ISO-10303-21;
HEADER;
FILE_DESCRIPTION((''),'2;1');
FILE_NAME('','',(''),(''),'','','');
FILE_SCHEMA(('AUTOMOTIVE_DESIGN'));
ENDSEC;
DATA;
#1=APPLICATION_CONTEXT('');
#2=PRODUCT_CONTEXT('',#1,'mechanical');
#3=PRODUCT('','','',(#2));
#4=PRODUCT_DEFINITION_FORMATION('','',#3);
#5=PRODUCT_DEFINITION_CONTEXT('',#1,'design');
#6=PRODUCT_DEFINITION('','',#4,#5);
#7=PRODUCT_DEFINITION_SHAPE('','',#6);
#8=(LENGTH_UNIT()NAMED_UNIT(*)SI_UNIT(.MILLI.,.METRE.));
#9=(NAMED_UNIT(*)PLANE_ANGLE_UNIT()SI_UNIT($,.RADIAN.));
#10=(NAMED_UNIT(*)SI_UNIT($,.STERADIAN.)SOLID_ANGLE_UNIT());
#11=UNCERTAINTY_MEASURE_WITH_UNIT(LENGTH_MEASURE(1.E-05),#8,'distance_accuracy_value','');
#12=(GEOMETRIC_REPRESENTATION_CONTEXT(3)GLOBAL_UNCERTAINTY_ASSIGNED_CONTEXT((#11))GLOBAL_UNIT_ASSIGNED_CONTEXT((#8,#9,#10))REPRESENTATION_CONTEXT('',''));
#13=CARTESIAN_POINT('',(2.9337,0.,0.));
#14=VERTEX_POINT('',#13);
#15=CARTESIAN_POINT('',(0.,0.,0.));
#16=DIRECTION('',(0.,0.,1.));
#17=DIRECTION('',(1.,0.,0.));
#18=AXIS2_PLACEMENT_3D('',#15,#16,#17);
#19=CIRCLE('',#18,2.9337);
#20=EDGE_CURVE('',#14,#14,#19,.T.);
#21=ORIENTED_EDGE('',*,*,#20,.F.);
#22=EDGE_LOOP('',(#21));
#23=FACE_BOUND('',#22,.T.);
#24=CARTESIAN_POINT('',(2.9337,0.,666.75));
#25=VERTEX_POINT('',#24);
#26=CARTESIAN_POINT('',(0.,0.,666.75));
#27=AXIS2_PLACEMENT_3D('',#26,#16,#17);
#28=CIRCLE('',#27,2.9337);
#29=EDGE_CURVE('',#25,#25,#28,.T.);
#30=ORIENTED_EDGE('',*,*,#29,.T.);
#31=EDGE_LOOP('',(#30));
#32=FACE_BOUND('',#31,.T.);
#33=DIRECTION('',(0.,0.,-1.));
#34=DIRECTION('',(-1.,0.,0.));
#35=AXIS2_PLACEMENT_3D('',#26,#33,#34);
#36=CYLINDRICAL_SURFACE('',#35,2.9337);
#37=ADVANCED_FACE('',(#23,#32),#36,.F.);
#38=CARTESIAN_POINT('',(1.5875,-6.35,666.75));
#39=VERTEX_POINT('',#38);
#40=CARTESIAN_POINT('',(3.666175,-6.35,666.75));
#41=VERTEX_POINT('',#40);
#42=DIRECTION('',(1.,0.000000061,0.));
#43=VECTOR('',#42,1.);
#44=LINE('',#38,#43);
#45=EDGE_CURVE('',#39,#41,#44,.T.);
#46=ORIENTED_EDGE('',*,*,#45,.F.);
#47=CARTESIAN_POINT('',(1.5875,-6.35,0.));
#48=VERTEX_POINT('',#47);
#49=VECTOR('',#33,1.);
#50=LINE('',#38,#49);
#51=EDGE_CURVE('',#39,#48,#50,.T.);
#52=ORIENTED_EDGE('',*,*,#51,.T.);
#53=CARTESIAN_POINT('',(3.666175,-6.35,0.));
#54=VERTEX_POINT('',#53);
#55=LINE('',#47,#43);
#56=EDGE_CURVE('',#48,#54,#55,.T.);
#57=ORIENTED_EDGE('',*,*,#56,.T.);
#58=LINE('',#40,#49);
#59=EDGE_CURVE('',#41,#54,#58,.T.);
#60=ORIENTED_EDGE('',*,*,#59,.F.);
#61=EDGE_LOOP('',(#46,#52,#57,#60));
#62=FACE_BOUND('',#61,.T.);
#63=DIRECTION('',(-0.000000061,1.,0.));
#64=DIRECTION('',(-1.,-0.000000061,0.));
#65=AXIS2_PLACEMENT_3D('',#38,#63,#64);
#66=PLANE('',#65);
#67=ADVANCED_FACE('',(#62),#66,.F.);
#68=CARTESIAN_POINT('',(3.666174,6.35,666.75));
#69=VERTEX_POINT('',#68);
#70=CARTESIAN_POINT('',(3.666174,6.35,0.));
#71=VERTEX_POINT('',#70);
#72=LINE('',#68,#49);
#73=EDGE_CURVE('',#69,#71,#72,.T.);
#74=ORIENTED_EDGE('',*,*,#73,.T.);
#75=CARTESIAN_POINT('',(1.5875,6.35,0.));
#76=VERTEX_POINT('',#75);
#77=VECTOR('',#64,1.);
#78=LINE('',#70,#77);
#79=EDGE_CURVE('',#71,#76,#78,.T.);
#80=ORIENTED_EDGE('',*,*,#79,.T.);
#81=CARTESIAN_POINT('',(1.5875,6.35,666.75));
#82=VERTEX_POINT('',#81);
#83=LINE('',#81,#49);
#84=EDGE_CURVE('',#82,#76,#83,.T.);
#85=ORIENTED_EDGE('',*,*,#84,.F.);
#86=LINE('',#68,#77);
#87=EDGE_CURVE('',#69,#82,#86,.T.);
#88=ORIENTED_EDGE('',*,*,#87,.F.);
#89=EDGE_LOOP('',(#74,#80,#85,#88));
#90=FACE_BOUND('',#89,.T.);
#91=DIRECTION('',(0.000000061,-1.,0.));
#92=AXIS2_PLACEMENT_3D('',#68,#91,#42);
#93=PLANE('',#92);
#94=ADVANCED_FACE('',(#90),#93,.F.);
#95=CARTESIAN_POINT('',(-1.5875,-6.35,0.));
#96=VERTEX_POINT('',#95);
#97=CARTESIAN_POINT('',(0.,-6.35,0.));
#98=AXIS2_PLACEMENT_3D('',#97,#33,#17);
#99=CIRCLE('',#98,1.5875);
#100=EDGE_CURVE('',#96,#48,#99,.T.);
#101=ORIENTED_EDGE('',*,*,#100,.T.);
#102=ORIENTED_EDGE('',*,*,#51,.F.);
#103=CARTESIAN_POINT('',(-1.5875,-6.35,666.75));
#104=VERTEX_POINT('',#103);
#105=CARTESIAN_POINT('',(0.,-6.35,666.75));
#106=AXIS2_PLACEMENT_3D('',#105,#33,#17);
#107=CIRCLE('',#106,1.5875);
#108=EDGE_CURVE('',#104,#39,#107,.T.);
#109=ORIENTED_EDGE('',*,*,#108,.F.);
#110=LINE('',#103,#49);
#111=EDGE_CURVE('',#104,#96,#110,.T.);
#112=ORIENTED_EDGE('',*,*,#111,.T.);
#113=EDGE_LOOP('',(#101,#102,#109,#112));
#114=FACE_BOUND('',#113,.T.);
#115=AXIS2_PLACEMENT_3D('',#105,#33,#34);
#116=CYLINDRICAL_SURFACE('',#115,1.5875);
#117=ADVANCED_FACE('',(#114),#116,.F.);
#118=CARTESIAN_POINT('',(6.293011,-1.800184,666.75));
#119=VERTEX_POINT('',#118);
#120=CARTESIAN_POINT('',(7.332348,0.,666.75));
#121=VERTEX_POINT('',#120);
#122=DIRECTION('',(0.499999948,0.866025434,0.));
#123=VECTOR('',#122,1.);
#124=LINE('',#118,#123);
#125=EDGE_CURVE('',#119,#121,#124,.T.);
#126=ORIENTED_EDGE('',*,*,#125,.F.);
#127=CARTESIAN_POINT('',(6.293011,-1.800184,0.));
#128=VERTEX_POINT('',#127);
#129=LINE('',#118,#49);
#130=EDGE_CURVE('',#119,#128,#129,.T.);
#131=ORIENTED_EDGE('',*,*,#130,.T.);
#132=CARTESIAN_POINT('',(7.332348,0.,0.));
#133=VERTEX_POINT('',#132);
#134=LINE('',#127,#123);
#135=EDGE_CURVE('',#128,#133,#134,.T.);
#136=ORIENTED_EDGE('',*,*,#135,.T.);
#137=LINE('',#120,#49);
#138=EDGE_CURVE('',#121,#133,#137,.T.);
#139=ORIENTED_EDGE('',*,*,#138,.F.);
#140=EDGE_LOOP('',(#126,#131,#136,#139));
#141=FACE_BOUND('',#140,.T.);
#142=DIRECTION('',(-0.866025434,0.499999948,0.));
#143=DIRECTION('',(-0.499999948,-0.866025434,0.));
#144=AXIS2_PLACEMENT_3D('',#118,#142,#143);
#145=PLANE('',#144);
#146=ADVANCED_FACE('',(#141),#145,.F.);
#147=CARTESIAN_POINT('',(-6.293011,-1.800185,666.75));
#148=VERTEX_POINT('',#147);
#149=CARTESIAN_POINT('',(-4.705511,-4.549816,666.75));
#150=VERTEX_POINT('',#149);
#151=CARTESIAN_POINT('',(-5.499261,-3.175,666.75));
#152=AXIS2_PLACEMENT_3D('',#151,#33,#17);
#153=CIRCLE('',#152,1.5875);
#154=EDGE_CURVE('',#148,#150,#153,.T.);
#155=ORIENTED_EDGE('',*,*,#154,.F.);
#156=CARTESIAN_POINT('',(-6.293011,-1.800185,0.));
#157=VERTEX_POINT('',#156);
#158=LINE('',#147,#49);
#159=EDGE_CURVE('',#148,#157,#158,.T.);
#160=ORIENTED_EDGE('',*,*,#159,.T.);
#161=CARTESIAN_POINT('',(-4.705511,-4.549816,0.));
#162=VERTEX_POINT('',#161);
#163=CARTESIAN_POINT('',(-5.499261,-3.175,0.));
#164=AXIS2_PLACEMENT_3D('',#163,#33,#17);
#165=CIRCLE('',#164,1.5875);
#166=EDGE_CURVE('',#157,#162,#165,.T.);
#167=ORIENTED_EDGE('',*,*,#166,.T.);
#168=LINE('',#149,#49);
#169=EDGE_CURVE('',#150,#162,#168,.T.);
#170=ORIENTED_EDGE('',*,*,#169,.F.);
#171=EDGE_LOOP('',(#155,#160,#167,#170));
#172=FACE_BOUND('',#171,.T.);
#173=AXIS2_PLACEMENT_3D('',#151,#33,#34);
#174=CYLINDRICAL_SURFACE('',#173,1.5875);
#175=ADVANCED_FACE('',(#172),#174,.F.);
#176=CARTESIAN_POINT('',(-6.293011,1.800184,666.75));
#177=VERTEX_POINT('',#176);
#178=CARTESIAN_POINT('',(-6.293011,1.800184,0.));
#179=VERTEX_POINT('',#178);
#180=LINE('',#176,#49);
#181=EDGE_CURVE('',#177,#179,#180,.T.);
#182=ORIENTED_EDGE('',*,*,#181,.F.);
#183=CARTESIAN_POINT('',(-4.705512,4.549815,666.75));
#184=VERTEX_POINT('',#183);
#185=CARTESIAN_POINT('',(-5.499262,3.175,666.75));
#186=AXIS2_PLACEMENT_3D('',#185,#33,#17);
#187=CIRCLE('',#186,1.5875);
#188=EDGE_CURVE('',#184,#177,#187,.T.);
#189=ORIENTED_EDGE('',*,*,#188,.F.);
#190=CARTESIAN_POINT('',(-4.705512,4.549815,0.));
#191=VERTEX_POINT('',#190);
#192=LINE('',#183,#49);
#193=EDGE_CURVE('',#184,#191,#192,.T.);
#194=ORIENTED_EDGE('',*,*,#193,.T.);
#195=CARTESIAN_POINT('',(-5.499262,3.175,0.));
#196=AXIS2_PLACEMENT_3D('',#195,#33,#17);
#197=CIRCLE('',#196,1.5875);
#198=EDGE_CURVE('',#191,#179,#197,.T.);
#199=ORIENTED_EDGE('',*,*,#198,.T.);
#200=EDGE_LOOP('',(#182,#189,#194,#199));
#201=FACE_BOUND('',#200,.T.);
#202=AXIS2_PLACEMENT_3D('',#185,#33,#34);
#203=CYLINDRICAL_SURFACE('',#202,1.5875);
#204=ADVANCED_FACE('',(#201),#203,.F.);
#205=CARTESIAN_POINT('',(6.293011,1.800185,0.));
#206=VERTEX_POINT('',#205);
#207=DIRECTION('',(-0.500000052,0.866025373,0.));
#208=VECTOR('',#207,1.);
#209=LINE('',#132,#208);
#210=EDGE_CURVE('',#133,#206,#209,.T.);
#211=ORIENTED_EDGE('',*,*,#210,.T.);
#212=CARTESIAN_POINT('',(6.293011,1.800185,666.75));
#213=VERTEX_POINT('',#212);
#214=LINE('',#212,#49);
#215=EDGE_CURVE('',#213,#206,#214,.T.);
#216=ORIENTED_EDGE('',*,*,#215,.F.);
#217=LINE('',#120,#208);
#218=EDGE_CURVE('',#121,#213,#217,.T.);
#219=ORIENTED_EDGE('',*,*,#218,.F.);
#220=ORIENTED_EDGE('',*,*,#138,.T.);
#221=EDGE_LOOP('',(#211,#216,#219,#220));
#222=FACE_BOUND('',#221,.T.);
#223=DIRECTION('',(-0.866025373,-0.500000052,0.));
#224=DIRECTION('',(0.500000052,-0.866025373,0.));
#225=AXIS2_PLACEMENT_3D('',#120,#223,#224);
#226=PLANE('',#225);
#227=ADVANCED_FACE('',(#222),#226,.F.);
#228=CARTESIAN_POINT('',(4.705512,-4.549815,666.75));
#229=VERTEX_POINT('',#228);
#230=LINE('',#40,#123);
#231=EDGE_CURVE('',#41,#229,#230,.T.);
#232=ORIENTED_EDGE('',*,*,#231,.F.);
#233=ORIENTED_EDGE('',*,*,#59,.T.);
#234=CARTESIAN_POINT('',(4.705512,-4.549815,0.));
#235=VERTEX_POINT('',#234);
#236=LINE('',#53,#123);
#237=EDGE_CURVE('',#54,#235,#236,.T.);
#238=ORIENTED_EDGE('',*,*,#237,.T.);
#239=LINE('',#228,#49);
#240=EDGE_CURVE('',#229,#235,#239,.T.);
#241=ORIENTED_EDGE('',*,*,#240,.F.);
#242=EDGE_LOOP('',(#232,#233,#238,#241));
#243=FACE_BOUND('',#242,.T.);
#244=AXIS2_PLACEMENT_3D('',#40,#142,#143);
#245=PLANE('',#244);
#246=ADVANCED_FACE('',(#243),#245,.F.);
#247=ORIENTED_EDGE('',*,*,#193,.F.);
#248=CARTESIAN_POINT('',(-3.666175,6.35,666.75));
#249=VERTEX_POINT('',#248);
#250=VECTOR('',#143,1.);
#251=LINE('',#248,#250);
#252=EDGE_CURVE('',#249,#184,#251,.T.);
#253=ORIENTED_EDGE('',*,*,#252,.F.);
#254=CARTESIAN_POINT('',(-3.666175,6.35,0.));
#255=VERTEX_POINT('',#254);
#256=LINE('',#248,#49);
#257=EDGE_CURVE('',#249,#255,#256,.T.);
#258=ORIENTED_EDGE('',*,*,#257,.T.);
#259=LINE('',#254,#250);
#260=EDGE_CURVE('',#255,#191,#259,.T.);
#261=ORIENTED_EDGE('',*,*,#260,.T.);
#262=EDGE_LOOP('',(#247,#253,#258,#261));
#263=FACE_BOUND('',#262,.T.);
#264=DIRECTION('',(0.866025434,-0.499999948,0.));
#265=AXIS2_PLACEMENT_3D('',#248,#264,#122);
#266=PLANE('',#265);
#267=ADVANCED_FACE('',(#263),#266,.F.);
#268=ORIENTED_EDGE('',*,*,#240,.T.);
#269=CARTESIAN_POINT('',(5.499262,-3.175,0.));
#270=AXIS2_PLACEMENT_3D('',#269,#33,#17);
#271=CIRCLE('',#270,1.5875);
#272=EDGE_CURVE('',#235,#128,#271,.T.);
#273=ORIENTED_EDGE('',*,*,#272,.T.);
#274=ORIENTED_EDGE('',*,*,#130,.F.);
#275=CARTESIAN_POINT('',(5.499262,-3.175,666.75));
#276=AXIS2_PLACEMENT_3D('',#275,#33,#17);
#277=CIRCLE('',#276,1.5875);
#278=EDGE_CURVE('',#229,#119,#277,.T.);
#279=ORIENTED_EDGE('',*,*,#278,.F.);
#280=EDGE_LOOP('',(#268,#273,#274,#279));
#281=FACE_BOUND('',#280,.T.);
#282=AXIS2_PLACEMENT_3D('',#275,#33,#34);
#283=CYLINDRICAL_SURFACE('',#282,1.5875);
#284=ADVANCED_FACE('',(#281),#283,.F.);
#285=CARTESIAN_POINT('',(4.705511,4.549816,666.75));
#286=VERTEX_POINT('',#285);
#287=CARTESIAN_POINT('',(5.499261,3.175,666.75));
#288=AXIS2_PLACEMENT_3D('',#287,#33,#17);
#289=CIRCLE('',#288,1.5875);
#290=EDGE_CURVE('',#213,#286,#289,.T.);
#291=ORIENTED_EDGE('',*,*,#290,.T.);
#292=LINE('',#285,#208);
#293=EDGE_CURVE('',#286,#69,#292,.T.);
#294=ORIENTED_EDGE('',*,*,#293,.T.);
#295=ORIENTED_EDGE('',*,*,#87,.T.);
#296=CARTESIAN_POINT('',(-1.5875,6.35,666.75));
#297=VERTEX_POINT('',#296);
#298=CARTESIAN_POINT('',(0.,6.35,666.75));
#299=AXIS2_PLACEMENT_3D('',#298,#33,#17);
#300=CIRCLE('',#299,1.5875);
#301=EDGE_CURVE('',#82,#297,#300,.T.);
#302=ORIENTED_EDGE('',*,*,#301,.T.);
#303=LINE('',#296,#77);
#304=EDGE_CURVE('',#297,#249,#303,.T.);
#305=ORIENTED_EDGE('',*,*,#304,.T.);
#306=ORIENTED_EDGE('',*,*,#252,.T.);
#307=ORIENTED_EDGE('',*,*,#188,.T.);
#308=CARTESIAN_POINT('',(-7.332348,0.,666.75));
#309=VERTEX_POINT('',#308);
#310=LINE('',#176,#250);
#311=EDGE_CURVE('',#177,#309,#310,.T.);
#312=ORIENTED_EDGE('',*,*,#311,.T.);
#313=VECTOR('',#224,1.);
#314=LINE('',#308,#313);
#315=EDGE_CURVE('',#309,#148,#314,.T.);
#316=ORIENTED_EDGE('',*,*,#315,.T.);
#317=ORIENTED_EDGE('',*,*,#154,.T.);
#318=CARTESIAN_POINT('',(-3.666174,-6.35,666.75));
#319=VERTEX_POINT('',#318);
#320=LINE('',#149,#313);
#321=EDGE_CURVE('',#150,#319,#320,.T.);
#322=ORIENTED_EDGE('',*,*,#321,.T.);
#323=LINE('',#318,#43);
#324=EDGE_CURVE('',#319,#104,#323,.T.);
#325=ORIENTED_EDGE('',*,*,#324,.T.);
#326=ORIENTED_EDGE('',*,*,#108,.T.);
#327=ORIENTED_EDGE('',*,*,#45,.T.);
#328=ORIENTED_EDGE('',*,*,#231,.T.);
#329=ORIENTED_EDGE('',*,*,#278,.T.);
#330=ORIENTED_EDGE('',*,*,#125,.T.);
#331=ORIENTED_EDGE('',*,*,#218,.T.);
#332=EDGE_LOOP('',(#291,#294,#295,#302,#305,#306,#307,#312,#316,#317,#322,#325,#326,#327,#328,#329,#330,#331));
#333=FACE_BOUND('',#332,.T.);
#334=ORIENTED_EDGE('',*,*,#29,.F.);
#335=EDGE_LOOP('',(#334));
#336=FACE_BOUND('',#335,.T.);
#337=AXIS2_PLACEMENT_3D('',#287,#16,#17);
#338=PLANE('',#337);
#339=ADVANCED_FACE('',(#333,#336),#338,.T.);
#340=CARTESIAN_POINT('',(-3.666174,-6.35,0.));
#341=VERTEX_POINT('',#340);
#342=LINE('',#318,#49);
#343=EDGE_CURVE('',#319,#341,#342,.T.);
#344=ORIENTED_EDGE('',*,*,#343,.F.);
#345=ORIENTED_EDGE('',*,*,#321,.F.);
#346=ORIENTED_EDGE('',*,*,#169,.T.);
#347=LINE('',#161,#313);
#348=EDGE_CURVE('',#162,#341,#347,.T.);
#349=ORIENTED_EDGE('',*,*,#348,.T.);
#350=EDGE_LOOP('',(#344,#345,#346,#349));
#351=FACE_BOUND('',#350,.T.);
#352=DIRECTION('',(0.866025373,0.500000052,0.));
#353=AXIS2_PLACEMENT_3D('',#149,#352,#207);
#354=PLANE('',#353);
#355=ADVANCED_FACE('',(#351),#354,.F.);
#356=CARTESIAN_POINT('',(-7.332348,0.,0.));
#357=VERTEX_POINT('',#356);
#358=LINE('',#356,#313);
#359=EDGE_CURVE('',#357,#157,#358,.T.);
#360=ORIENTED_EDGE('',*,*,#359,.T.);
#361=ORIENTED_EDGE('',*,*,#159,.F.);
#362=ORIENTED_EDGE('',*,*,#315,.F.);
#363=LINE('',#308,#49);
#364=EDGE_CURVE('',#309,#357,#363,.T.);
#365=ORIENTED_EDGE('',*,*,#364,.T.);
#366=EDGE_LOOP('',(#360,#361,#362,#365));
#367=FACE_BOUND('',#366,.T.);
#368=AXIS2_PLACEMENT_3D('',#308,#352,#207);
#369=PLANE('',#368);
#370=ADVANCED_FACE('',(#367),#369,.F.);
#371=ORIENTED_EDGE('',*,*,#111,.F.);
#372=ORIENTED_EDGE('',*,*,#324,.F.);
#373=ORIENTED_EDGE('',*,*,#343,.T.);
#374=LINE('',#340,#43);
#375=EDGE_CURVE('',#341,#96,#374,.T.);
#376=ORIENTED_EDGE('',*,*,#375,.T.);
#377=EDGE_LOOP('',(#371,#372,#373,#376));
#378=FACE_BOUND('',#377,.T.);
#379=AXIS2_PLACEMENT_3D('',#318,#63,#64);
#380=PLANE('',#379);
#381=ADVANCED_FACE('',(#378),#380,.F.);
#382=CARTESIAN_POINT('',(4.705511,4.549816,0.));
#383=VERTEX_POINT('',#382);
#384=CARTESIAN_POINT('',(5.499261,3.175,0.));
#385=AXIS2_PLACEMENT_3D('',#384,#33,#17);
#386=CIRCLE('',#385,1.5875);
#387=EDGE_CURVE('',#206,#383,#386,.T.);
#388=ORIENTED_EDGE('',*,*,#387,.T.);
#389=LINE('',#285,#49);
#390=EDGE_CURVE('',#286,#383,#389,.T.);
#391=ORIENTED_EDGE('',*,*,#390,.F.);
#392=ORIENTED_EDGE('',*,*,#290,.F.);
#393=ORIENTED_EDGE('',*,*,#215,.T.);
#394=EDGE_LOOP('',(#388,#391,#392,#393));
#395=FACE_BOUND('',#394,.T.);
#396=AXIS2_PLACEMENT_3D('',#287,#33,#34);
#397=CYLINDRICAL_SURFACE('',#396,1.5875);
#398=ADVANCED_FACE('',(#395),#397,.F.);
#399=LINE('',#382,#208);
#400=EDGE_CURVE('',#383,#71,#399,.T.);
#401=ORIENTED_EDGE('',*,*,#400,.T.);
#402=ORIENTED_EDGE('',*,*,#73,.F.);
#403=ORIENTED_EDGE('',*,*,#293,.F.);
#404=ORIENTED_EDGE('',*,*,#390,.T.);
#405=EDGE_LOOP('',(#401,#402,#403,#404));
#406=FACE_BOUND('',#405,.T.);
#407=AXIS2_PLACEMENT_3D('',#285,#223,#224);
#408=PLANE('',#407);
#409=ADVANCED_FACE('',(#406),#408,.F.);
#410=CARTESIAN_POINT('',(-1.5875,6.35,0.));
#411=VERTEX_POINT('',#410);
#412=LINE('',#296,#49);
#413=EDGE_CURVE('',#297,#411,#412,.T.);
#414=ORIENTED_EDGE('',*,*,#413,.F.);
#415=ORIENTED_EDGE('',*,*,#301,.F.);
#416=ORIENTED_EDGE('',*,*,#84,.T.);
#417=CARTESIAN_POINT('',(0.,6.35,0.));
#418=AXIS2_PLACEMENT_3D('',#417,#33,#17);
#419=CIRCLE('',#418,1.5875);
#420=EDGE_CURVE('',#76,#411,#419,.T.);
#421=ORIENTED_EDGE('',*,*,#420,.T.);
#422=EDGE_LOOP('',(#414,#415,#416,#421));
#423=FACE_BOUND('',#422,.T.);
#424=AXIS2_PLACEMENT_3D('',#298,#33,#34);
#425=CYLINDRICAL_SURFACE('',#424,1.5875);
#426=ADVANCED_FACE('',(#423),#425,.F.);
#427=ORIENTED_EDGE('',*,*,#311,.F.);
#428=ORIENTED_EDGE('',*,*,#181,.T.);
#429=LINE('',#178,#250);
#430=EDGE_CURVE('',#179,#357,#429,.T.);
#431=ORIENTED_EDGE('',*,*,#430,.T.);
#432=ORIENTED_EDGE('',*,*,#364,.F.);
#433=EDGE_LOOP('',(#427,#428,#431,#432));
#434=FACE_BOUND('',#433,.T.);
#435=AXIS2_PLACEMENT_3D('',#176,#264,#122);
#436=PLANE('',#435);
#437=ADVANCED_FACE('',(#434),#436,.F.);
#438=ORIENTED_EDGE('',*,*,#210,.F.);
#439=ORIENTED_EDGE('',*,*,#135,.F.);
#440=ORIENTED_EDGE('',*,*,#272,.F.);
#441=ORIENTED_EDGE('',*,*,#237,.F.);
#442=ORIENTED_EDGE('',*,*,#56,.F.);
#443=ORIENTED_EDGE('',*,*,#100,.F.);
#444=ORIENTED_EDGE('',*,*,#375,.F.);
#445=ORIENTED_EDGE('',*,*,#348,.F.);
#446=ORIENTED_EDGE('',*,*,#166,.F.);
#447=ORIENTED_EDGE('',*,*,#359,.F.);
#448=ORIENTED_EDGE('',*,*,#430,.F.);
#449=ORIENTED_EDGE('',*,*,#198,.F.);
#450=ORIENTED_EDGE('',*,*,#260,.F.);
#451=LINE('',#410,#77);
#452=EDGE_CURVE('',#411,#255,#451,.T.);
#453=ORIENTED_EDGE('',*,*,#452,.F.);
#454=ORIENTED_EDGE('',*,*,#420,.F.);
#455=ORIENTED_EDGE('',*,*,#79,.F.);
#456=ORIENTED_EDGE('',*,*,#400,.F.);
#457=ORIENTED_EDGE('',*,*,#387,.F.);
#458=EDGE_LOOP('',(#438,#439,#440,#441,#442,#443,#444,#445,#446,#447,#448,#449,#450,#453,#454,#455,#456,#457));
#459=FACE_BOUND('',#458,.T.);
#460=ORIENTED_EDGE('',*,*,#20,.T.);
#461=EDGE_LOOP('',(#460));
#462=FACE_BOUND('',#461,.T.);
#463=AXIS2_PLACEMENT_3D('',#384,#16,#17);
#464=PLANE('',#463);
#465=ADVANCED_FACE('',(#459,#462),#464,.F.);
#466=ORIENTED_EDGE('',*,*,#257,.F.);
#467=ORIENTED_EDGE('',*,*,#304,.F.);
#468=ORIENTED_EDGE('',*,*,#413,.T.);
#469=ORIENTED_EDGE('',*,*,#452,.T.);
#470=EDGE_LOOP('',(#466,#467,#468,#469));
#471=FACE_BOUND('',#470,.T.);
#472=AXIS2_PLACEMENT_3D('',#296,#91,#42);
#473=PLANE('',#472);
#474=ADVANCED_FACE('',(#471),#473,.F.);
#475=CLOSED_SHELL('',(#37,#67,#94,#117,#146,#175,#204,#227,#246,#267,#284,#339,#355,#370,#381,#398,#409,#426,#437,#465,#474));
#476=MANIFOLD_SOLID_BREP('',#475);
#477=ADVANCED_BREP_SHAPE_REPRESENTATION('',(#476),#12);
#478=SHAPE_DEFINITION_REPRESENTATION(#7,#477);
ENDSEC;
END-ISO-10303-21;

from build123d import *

# Parameters (mm, degrees)
SKETCH1_R           = 2.9337
BOSS_EXTRUDE1_DEPTH = 666.75


with BuildPart() as part:
    # Sketch1 → Boss-Extrude1 (new body)
    with BuildSketch(Plane.XY):
        with BuildLine():
            Line((-1.587500385, 6.349999904), (-3.666174594, 6.349999778))
            Line((-3.666174594, 6.349999778), (-4.70551159, 4.549815043))
            ThreePointArc((-4.70551159, 4.549815043), (-4.12444613, 2.38124975), (-6.293011423, 1.80018429))
            Line((-6.293011423, 1.80018429), (-7.332348419, -4.44e-07))
            Line((-7.332348419, -4.44e-07), (-6.293011205, -1.800185053))
            ThreePointArc((-6.293011205, -1.800185053), (-4.124445841, -2.38125025), (-4.705511038, -4.549815614))
            Line((-4.705511038, -4.549815614), (-3.666173825, -6.350000222))
            Line((-3.666173825, -6.350000222), (-1.587499615, -6.350000096))
            ThreePointArc((-1.587499615, -6.350000096), (2.89e-07, -4.7625), (1.587500385, -6.349999904))
            Line((1.587500385, -6.349999904), (3.666174594, -6.349999778))
            Line((3.666174594, -6.349999778), (4.70551159, -4.549815043))
            ThreePointArc((4.70551159, -4.549815043), (4.12444613, -2.38124975), (6.293011423, -1.80018429))
            Line((6.293011423, -1.80018429), (7.332348419, 4.44e-07))
            Line((7.332348419, 4.44e-07), (6.293011205, 1.800185053))
            ThreePointArc((6.293011205, 1.800185053), (4.124445841, 2.38125025), (4.705511038, 4.549815614))
            Line((4.705511038, 4.549815614), (3.666173825, 6.350000222))
            Line((3.666173825, 6.350000222), (1.587499615, 6.350000096))
            ThreePointArc((1.587499615, 6.350000096), (-2.89e-07, 4.7625), (-1.587500385, 6.349999904))
        make_face()
        Circle(SKETCH1_R, mode=Mode.SUBTRACT)
    extrude(amount=BOSS_EXTRUDE1_DEPTH)


solid = part.part
